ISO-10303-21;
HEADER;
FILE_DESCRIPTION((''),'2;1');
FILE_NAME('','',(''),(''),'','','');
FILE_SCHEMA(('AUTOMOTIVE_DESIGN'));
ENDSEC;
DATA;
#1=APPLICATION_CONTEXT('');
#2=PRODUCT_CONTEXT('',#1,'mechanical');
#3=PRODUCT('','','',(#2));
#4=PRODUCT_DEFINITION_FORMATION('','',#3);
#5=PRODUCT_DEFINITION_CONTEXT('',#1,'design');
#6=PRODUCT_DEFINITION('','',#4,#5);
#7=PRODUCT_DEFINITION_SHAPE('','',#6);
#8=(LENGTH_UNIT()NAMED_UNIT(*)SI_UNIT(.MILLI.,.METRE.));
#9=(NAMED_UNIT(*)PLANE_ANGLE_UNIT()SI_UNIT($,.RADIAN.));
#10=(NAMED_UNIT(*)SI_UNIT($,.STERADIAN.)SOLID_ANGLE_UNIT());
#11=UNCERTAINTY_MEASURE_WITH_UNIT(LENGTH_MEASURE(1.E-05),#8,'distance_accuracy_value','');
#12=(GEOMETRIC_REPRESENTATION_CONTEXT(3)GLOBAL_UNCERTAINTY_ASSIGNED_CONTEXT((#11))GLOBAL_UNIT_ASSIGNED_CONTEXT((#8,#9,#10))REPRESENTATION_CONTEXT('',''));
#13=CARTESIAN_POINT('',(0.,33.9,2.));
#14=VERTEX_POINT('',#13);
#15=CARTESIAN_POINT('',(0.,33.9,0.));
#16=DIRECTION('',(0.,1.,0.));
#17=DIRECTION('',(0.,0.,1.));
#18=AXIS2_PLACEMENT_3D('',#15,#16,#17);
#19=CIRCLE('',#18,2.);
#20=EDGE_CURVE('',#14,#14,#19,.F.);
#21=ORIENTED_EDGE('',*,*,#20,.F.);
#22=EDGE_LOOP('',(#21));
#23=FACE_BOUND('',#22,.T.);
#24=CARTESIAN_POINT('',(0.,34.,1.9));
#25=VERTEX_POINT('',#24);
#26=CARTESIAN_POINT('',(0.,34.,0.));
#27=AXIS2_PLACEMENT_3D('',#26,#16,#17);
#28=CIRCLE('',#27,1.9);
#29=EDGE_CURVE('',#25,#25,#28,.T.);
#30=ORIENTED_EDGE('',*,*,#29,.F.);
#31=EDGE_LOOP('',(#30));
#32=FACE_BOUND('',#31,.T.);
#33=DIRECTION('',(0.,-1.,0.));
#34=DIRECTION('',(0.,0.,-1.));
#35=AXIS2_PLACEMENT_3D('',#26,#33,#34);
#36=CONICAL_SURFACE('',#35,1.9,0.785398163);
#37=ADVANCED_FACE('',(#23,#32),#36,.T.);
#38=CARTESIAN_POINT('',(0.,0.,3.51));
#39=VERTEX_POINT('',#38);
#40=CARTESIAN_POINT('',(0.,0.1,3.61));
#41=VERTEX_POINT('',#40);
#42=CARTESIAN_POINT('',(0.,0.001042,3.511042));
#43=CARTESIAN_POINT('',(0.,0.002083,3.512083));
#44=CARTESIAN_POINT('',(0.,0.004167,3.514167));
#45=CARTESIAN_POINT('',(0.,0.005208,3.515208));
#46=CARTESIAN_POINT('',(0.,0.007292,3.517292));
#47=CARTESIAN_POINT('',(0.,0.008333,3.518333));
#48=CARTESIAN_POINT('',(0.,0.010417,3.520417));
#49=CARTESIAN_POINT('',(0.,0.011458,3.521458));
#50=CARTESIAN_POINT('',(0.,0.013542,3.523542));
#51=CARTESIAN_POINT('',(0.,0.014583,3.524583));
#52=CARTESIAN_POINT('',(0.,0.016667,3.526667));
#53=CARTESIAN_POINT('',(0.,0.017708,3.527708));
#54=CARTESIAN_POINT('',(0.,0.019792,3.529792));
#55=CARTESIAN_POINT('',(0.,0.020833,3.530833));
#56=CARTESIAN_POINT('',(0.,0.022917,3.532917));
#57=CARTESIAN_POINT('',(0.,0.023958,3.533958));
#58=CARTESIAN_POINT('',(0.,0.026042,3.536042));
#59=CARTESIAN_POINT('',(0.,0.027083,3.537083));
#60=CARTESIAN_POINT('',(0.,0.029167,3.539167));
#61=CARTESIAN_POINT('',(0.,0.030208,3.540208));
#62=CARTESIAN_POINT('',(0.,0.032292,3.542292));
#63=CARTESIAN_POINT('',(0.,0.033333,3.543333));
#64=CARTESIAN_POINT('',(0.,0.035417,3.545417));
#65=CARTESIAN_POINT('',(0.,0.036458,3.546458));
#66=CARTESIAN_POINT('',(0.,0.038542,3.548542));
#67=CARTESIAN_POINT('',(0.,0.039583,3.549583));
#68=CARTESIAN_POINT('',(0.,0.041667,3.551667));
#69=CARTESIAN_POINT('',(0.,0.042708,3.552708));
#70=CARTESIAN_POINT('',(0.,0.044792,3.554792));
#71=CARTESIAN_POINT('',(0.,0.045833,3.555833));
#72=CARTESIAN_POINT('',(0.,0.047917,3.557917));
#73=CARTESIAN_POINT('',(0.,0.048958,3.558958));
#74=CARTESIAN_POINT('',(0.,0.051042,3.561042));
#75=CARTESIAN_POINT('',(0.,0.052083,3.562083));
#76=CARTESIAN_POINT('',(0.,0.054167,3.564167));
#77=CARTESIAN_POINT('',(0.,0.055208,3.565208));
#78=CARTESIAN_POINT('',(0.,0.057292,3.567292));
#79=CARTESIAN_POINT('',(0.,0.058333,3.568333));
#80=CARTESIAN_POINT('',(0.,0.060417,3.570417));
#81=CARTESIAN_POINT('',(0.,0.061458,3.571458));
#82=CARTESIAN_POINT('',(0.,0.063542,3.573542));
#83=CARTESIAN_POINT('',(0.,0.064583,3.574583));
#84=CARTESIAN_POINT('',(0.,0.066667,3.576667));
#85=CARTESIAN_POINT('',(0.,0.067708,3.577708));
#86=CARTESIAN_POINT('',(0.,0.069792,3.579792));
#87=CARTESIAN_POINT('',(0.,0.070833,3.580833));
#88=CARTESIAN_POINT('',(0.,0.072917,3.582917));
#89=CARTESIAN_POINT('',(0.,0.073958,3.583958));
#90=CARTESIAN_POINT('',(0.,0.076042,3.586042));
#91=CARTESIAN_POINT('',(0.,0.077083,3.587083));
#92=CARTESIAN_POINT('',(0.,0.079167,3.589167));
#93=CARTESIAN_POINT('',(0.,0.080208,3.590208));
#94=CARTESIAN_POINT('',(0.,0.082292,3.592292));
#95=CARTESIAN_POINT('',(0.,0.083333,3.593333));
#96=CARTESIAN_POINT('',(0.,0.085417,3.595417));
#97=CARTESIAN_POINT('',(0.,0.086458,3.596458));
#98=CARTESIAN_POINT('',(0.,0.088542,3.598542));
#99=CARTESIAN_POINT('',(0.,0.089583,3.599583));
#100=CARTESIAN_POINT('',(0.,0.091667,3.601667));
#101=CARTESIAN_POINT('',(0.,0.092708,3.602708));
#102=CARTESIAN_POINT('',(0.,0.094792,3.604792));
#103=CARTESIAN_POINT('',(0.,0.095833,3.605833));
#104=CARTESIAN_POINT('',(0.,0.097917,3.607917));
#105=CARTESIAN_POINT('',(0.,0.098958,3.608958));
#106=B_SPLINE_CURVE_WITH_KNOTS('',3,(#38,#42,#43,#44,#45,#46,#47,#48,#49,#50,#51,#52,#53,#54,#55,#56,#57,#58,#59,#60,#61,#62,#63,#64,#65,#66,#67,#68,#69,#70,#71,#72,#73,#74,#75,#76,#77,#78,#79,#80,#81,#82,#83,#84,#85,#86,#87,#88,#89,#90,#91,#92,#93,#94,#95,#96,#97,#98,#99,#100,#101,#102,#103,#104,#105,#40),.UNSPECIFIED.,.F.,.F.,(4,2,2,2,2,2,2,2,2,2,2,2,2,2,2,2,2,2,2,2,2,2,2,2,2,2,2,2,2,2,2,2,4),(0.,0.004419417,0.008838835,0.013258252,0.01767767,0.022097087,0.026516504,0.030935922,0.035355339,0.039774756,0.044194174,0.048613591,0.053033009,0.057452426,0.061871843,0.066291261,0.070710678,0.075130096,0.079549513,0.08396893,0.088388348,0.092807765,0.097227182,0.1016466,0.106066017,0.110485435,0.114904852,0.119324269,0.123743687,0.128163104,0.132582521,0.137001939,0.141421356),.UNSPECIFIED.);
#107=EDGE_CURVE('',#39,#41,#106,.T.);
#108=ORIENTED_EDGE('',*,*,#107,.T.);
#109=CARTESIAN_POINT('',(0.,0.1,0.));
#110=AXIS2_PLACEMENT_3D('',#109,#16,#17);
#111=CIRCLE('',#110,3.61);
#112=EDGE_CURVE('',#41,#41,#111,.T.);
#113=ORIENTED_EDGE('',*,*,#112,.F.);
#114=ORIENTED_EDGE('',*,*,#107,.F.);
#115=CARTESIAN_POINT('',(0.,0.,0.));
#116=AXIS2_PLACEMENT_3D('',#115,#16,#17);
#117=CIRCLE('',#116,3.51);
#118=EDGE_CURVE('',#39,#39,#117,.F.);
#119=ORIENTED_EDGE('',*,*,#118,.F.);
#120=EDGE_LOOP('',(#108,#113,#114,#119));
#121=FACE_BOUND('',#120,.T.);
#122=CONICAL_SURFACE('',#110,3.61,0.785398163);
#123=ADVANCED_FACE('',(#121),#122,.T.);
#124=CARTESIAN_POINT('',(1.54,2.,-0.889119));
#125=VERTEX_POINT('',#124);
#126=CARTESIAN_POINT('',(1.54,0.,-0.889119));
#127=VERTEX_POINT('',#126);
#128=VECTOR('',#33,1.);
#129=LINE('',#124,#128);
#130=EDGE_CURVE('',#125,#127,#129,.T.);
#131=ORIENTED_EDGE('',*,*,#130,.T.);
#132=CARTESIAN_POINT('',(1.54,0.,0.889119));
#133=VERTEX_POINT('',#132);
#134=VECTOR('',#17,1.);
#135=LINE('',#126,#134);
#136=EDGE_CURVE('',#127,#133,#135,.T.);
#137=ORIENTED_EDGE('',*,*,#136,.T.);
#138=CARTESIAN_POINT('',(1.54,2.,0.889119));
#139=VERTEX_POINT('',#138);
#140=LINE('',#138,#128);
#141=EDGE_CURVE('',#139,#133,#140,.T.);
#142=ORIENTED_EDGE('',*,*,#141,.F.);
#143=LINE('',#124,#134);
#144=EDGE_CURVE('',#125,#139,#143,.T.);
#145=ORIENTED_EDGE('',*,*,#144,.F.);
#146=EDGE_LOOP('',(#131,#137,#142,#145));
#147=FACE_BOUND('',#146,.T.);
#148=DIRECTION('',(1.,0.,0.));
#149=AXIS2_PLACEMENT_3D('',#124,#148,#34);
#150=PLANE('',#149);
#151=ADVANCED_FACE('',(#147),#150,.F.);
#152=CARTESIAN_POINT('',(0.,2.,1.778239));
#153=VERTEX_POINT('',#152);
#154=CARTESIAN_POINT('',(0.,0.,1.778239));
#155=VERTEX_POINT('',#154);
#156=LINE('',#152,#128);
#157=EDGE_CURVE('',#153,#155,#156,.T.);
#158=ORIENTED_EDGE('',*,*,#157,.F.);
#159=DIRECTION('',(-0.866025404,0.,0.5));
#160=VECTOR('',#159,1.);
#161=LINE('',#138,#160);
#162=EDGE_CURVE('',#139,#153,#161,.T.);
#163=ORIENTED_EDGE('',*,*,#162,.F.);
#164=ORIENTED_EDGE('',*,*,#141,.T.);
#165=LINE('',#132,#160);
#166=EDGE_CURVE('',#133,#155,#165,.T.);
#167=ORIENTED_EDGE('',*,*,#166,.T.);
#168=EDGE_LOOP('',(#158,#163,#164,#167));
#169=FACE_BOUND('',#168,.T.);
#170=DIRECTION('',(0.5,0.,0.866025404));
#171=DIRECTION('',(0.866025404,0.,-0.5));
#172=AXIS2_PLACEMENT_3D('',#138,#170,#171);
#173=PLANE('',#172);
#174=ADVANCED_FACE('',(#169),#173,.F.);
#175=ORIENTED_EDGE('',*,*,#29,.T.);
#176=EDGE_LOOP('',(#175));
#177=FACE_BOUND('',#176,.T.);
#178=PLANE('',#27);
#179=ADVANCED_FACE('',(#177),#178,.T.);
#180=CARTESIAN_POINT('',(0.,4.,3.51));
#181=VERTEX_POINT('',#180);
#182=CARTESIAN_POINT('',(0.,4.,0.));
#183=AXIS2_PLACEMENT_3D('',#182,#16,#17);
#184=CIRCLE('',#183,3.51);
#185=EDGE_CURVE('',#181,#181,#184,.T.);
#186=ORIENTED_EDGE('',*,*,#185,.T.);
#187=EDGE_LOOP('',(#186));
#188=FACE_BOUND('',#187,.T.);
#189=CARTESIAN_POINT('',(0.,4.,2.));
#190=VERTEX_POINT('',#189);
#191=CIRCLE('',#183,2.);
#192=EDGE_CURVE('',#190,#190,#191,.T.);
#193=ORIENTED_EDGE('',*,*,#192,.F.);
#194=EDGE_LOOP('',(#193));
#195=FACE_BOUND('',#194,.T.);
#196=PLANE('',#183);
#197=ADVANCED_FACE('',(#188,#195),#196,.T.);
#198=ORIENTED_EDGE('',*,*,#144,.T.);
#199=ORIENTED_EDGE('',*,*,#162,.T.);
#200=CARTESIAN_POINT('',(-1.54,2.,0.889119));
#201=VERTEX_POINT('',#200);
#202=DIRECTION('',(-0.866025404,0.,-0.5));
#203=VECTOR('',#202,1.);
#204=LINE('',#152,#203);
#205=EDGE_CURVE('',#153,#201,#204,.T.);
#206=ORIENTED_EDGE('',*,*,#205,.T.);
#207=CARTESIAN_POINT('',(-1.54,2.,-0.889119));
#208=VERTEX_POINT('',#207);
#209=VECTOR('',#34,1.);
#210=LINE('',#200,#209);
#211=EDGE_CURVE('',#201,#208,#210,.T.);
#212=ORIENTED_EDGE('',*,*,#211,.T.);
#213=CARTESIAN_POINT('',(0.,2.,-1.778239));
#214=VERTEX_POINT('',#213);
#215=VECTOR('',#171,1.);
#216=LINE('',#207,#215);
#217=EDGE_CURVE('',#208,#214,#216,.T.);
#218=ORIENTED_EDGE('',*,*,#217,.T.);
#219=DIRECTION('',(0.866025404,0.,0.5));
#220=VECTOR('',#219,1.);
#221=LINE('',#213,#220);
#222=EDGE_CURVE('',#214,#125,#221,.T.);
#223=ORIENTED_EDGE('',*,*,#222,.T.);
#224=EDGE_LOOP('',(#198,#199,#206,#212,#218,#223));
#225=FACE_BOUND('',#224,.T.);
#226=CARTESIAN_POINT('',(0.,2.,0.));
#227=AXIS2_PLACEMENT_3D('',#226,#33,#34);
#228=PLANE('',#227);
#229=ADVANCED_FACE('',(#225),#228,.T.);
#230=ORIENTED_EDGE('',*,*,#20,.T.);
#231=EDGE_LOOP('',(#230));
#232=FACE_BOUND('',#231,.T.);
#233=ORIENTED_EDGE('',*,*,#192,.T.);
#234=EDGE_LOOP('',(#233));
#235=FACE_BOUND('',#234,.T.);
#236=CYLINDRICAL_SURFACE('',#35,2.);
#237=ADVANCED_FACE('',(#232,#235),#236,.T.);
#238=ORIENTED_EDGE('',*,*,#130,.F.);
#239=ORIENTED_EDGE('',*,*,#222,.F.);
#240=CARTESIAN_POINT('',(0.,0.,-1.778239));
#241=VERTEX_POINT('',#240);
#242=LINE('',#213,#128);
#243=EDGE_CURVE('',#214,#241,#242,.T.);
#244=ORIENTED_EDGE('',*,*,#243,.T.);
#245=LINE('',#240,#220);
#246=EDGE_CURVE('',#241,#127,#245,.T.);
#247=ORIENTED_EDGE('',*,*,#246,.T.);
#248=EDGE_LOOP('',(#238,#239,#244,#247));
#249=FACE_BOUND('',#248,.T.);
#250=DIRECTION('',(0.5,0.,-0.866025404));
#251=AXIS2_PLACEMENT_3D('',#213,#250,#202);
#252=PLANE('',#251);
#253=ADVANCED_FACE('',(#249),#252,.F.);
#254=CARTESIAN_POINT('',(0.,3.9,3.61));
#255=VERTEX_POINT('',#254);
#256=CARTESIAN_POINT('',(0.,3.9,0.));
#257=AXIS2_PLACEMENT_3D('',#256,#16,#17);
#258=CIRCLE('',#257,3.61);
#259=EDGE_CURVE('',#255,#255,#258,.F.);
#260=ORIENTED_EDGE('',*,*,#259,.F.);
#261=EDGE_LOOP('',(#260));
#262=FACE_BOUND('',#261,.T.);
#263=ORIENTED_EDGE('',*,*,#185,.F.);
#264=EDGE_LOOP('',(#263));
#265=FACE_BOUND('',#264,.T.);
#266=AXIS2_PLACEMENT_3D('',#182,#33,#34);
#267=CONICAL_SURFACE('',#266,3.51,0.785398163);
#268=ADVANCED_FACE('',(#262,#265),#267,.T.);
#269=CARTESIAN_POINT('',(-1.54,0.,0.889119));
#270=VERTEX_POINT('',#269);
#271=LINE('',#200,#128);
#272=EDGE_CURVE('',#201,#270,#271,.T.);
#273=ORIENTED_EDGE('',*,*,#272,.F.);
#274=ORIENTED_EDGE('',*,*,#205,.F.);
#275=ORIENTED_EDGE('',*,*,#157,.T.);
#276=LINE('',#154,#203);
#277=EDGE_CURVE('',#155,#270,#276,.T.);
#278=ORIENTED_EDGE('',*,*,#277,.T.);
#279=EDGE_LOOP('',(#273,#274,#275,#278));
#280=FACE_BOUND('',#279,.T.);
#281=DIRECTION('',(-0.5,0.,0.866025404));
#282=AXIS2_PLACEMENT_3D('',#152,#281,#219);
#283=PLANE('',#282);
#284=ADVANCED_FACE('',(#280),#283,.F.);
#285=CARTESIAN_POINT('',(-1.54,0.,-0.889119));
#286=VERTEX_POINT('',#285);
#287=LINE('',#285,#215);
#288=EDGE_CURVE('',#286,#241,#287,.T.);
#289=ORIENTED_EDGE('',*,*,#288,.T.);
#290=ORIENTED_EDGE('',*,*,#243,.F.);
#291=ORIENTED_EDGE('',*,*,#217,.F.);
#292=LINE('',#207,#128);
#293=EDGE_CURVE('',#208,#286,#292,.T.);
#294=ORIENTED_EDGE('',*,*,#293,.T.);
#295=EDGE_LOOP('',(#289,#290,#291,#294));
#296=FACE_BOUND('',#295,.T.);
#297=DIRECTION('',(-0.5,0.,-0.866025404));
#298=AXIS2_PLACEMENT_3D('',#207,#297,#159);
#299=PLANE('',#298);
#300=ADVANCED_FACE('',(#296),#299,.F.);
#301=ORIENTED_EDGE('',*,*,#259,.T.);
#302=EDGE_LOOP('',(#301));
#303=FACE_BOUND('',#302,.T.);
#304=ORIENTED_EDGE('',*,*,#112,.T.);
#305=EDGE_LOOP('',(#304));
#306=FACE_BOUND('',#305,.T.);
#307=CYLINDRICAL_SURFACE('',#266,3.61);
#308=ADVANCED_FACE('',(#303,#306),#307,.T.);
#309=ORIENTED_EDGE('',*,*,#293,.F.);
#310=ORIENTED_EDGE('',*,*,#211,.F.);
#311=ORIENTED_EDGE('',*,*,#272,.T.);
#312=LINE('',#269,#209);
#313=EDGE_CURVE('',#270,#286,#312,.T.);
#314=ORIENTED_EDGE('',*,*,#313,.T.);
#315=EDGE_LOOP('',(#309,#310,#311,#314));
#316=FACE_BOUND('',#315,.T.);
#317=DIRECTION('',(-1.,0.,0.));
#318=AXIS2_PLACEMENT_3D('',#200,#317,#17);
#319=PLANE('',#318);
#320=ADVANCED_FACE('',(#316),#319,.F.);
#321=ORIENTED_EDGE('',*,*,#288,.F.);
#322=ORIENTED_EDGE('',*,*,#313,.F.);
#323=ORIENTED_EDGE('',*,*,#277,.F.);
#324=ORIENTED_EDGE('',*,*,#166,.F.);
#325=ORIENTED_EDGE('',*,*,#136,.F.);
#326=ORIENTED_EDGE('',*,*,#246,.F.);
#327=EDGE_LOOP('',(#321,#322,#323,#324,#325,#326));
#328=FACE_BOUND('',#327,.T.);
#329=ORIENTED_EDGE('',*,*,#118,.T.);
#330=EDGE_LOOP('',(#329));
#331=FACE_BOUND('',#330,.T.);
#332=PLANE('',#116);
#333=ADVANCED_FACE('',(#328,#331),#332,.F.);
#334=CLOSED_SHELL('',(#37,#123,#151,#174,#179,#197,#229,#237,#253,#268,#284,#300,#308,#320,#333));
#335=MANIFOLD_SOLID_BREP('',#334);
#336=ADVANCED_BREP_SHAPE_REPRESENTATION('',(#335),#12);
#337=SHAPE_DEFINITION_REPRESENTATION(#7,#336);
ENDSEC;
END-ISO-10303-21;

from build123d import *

# Parameters (mm, degrees)
SKETCH_1_R            = 3.61
EXTRUDE_261_DEPTH     = 4
SKETCH_2_R            = 2
EXTRUDE_345_DEPTH     = 30
CUT_EXTRUDE_530_DEPTH = 2
CHAMFER_592_SIZE      = 0.1


with BuildPart() as part:
    # 草图1 → Extrude 261 (new body)
    with BuildSketch(Plane(origin=(0, 0, 0), x_dir=(1, 0, 0), z_dir=(0, 1, 0))):
        with Locations(Location((0, 0, 0), (0, 0, 270))):
            Circle(SKETCH_1_R)
    extrude(amount=EXTRUDE_261_DEPTH)

    # 草图2 → Extrude 345 (add)
    with BuildSketch(Plane(origin=(0, 4, 0), x_dir=(1, 0, 0), z_dir=(0, 1, 0))):
        with Locations(Location((0, 0, 0), (0, 0, 270))):
            Circle(SKETCH_2_R)
    extrude(amount=EXTRUDE_345_DEPTH)

    # 草图3 → Cut-Extrude 530 (cut)
    with BuildSketch(Plane.XZ):
        Polygon((1.54, -0.889119415), (1.54, 0.889119415), (0, 1.778238829), (-1.54, 0.889119415), (-1.54, -0.889119415), (0, -1.778238829), align=None)
    extrude(amount=-CUT_EXTRUDE_530_DEPTH, mode=Mode.SUBTRACT)

    # Chamfer 592
    chamfer_592_edges = [part.edges().sort_by_distance(p)[0] for p in [
        (0, 0, -3.61),
        (0, 4, -3.61),
        (0, 34, -2),
    ]]
    chamfer(chamfer_592_edges, length=CHAMFER_592_SIZE)


solid = part.part
